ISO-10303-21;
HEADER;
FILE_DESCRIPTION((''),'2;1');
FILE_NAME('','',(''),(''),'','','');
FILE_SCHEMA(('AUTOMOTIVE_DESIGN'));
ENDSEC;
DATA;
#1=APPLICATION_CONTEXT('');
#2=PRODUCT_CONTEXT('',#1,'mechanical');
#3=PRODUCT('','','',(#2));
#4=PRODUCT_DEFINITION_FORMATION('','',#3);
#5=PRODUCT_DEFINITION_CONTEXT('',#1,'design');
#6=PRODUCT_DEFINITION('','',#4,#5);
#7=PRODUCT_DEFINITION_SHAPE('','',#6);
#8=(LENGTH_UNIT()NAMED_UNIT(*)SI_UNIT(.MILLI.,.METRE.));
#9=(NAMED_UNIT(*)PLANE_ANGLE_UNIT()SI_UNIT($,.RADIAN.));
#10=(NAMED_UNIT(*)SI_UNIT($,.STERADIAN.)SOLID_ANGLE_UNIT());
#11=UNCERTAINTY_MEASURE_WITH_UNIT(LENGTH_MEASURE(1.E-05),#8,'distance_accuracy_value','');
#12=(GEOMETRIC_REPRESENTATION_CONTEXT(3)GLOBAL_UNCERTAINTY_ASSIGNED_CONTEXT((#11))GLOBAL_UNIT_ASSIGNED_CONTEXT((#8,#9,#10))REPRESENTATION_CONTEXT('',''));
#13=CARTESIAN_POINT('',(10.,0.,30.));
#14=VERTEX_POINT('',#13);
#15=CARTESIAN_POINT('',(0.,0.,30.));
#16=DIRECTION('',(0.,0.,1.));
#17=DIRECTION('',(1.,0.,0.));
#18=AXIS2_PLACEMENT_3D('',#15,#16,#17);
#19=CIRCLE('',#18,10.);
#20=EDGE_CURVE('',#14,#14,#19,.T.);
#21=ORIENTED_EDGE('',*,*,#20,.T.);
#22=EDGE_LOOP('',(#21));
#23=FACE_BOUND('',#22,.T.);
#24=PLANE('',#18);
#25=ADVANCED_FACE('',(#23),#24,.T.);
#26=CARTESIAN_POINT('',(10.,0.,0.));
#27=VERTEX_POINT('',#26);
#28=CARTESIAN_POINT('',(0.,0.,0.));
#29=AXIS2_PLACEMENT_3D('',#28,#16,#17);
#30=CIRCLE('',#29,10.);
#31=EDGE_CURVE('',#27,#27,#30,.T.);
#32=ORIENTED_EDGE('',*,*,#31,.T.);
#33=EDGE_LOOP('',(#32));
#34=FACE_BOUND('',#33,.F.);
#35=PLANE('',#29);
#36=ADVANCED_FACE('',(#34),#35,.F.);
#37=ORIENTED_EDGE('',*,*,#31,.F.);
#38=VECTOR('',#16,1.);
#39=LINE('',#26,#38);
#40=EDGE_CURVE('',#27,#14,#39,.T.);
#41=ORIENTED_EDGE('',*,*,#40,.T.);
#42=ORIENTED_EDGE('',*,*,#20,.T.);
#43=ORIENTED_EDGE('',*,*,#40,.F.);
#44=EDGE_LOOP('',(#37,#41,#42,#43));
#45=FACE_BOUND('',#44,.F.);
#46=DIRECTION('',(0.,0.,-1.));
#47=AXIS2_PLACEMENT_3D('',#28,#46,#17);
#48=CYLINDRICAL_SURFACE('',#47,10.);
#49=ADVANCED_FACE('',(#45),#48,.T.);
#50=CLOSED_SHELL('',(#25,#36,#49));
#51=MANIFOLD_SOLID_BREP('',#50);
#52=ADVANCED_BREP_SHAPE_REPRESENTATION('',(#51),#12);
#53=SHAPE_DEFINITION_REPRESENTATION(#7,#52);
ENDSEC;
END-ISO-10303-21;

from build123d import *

# Parameters (mm, degrees)
SKETCH_R  = 10
PAD_DEPTH = 30


with BuildPart() as part:
    # Sketch → Pad (new body)
    with BuildSketch(Plane.XY):
        Circle(SKETCH_R)
    extrude(amount=PAD_DEPTH)


solid = part.part
